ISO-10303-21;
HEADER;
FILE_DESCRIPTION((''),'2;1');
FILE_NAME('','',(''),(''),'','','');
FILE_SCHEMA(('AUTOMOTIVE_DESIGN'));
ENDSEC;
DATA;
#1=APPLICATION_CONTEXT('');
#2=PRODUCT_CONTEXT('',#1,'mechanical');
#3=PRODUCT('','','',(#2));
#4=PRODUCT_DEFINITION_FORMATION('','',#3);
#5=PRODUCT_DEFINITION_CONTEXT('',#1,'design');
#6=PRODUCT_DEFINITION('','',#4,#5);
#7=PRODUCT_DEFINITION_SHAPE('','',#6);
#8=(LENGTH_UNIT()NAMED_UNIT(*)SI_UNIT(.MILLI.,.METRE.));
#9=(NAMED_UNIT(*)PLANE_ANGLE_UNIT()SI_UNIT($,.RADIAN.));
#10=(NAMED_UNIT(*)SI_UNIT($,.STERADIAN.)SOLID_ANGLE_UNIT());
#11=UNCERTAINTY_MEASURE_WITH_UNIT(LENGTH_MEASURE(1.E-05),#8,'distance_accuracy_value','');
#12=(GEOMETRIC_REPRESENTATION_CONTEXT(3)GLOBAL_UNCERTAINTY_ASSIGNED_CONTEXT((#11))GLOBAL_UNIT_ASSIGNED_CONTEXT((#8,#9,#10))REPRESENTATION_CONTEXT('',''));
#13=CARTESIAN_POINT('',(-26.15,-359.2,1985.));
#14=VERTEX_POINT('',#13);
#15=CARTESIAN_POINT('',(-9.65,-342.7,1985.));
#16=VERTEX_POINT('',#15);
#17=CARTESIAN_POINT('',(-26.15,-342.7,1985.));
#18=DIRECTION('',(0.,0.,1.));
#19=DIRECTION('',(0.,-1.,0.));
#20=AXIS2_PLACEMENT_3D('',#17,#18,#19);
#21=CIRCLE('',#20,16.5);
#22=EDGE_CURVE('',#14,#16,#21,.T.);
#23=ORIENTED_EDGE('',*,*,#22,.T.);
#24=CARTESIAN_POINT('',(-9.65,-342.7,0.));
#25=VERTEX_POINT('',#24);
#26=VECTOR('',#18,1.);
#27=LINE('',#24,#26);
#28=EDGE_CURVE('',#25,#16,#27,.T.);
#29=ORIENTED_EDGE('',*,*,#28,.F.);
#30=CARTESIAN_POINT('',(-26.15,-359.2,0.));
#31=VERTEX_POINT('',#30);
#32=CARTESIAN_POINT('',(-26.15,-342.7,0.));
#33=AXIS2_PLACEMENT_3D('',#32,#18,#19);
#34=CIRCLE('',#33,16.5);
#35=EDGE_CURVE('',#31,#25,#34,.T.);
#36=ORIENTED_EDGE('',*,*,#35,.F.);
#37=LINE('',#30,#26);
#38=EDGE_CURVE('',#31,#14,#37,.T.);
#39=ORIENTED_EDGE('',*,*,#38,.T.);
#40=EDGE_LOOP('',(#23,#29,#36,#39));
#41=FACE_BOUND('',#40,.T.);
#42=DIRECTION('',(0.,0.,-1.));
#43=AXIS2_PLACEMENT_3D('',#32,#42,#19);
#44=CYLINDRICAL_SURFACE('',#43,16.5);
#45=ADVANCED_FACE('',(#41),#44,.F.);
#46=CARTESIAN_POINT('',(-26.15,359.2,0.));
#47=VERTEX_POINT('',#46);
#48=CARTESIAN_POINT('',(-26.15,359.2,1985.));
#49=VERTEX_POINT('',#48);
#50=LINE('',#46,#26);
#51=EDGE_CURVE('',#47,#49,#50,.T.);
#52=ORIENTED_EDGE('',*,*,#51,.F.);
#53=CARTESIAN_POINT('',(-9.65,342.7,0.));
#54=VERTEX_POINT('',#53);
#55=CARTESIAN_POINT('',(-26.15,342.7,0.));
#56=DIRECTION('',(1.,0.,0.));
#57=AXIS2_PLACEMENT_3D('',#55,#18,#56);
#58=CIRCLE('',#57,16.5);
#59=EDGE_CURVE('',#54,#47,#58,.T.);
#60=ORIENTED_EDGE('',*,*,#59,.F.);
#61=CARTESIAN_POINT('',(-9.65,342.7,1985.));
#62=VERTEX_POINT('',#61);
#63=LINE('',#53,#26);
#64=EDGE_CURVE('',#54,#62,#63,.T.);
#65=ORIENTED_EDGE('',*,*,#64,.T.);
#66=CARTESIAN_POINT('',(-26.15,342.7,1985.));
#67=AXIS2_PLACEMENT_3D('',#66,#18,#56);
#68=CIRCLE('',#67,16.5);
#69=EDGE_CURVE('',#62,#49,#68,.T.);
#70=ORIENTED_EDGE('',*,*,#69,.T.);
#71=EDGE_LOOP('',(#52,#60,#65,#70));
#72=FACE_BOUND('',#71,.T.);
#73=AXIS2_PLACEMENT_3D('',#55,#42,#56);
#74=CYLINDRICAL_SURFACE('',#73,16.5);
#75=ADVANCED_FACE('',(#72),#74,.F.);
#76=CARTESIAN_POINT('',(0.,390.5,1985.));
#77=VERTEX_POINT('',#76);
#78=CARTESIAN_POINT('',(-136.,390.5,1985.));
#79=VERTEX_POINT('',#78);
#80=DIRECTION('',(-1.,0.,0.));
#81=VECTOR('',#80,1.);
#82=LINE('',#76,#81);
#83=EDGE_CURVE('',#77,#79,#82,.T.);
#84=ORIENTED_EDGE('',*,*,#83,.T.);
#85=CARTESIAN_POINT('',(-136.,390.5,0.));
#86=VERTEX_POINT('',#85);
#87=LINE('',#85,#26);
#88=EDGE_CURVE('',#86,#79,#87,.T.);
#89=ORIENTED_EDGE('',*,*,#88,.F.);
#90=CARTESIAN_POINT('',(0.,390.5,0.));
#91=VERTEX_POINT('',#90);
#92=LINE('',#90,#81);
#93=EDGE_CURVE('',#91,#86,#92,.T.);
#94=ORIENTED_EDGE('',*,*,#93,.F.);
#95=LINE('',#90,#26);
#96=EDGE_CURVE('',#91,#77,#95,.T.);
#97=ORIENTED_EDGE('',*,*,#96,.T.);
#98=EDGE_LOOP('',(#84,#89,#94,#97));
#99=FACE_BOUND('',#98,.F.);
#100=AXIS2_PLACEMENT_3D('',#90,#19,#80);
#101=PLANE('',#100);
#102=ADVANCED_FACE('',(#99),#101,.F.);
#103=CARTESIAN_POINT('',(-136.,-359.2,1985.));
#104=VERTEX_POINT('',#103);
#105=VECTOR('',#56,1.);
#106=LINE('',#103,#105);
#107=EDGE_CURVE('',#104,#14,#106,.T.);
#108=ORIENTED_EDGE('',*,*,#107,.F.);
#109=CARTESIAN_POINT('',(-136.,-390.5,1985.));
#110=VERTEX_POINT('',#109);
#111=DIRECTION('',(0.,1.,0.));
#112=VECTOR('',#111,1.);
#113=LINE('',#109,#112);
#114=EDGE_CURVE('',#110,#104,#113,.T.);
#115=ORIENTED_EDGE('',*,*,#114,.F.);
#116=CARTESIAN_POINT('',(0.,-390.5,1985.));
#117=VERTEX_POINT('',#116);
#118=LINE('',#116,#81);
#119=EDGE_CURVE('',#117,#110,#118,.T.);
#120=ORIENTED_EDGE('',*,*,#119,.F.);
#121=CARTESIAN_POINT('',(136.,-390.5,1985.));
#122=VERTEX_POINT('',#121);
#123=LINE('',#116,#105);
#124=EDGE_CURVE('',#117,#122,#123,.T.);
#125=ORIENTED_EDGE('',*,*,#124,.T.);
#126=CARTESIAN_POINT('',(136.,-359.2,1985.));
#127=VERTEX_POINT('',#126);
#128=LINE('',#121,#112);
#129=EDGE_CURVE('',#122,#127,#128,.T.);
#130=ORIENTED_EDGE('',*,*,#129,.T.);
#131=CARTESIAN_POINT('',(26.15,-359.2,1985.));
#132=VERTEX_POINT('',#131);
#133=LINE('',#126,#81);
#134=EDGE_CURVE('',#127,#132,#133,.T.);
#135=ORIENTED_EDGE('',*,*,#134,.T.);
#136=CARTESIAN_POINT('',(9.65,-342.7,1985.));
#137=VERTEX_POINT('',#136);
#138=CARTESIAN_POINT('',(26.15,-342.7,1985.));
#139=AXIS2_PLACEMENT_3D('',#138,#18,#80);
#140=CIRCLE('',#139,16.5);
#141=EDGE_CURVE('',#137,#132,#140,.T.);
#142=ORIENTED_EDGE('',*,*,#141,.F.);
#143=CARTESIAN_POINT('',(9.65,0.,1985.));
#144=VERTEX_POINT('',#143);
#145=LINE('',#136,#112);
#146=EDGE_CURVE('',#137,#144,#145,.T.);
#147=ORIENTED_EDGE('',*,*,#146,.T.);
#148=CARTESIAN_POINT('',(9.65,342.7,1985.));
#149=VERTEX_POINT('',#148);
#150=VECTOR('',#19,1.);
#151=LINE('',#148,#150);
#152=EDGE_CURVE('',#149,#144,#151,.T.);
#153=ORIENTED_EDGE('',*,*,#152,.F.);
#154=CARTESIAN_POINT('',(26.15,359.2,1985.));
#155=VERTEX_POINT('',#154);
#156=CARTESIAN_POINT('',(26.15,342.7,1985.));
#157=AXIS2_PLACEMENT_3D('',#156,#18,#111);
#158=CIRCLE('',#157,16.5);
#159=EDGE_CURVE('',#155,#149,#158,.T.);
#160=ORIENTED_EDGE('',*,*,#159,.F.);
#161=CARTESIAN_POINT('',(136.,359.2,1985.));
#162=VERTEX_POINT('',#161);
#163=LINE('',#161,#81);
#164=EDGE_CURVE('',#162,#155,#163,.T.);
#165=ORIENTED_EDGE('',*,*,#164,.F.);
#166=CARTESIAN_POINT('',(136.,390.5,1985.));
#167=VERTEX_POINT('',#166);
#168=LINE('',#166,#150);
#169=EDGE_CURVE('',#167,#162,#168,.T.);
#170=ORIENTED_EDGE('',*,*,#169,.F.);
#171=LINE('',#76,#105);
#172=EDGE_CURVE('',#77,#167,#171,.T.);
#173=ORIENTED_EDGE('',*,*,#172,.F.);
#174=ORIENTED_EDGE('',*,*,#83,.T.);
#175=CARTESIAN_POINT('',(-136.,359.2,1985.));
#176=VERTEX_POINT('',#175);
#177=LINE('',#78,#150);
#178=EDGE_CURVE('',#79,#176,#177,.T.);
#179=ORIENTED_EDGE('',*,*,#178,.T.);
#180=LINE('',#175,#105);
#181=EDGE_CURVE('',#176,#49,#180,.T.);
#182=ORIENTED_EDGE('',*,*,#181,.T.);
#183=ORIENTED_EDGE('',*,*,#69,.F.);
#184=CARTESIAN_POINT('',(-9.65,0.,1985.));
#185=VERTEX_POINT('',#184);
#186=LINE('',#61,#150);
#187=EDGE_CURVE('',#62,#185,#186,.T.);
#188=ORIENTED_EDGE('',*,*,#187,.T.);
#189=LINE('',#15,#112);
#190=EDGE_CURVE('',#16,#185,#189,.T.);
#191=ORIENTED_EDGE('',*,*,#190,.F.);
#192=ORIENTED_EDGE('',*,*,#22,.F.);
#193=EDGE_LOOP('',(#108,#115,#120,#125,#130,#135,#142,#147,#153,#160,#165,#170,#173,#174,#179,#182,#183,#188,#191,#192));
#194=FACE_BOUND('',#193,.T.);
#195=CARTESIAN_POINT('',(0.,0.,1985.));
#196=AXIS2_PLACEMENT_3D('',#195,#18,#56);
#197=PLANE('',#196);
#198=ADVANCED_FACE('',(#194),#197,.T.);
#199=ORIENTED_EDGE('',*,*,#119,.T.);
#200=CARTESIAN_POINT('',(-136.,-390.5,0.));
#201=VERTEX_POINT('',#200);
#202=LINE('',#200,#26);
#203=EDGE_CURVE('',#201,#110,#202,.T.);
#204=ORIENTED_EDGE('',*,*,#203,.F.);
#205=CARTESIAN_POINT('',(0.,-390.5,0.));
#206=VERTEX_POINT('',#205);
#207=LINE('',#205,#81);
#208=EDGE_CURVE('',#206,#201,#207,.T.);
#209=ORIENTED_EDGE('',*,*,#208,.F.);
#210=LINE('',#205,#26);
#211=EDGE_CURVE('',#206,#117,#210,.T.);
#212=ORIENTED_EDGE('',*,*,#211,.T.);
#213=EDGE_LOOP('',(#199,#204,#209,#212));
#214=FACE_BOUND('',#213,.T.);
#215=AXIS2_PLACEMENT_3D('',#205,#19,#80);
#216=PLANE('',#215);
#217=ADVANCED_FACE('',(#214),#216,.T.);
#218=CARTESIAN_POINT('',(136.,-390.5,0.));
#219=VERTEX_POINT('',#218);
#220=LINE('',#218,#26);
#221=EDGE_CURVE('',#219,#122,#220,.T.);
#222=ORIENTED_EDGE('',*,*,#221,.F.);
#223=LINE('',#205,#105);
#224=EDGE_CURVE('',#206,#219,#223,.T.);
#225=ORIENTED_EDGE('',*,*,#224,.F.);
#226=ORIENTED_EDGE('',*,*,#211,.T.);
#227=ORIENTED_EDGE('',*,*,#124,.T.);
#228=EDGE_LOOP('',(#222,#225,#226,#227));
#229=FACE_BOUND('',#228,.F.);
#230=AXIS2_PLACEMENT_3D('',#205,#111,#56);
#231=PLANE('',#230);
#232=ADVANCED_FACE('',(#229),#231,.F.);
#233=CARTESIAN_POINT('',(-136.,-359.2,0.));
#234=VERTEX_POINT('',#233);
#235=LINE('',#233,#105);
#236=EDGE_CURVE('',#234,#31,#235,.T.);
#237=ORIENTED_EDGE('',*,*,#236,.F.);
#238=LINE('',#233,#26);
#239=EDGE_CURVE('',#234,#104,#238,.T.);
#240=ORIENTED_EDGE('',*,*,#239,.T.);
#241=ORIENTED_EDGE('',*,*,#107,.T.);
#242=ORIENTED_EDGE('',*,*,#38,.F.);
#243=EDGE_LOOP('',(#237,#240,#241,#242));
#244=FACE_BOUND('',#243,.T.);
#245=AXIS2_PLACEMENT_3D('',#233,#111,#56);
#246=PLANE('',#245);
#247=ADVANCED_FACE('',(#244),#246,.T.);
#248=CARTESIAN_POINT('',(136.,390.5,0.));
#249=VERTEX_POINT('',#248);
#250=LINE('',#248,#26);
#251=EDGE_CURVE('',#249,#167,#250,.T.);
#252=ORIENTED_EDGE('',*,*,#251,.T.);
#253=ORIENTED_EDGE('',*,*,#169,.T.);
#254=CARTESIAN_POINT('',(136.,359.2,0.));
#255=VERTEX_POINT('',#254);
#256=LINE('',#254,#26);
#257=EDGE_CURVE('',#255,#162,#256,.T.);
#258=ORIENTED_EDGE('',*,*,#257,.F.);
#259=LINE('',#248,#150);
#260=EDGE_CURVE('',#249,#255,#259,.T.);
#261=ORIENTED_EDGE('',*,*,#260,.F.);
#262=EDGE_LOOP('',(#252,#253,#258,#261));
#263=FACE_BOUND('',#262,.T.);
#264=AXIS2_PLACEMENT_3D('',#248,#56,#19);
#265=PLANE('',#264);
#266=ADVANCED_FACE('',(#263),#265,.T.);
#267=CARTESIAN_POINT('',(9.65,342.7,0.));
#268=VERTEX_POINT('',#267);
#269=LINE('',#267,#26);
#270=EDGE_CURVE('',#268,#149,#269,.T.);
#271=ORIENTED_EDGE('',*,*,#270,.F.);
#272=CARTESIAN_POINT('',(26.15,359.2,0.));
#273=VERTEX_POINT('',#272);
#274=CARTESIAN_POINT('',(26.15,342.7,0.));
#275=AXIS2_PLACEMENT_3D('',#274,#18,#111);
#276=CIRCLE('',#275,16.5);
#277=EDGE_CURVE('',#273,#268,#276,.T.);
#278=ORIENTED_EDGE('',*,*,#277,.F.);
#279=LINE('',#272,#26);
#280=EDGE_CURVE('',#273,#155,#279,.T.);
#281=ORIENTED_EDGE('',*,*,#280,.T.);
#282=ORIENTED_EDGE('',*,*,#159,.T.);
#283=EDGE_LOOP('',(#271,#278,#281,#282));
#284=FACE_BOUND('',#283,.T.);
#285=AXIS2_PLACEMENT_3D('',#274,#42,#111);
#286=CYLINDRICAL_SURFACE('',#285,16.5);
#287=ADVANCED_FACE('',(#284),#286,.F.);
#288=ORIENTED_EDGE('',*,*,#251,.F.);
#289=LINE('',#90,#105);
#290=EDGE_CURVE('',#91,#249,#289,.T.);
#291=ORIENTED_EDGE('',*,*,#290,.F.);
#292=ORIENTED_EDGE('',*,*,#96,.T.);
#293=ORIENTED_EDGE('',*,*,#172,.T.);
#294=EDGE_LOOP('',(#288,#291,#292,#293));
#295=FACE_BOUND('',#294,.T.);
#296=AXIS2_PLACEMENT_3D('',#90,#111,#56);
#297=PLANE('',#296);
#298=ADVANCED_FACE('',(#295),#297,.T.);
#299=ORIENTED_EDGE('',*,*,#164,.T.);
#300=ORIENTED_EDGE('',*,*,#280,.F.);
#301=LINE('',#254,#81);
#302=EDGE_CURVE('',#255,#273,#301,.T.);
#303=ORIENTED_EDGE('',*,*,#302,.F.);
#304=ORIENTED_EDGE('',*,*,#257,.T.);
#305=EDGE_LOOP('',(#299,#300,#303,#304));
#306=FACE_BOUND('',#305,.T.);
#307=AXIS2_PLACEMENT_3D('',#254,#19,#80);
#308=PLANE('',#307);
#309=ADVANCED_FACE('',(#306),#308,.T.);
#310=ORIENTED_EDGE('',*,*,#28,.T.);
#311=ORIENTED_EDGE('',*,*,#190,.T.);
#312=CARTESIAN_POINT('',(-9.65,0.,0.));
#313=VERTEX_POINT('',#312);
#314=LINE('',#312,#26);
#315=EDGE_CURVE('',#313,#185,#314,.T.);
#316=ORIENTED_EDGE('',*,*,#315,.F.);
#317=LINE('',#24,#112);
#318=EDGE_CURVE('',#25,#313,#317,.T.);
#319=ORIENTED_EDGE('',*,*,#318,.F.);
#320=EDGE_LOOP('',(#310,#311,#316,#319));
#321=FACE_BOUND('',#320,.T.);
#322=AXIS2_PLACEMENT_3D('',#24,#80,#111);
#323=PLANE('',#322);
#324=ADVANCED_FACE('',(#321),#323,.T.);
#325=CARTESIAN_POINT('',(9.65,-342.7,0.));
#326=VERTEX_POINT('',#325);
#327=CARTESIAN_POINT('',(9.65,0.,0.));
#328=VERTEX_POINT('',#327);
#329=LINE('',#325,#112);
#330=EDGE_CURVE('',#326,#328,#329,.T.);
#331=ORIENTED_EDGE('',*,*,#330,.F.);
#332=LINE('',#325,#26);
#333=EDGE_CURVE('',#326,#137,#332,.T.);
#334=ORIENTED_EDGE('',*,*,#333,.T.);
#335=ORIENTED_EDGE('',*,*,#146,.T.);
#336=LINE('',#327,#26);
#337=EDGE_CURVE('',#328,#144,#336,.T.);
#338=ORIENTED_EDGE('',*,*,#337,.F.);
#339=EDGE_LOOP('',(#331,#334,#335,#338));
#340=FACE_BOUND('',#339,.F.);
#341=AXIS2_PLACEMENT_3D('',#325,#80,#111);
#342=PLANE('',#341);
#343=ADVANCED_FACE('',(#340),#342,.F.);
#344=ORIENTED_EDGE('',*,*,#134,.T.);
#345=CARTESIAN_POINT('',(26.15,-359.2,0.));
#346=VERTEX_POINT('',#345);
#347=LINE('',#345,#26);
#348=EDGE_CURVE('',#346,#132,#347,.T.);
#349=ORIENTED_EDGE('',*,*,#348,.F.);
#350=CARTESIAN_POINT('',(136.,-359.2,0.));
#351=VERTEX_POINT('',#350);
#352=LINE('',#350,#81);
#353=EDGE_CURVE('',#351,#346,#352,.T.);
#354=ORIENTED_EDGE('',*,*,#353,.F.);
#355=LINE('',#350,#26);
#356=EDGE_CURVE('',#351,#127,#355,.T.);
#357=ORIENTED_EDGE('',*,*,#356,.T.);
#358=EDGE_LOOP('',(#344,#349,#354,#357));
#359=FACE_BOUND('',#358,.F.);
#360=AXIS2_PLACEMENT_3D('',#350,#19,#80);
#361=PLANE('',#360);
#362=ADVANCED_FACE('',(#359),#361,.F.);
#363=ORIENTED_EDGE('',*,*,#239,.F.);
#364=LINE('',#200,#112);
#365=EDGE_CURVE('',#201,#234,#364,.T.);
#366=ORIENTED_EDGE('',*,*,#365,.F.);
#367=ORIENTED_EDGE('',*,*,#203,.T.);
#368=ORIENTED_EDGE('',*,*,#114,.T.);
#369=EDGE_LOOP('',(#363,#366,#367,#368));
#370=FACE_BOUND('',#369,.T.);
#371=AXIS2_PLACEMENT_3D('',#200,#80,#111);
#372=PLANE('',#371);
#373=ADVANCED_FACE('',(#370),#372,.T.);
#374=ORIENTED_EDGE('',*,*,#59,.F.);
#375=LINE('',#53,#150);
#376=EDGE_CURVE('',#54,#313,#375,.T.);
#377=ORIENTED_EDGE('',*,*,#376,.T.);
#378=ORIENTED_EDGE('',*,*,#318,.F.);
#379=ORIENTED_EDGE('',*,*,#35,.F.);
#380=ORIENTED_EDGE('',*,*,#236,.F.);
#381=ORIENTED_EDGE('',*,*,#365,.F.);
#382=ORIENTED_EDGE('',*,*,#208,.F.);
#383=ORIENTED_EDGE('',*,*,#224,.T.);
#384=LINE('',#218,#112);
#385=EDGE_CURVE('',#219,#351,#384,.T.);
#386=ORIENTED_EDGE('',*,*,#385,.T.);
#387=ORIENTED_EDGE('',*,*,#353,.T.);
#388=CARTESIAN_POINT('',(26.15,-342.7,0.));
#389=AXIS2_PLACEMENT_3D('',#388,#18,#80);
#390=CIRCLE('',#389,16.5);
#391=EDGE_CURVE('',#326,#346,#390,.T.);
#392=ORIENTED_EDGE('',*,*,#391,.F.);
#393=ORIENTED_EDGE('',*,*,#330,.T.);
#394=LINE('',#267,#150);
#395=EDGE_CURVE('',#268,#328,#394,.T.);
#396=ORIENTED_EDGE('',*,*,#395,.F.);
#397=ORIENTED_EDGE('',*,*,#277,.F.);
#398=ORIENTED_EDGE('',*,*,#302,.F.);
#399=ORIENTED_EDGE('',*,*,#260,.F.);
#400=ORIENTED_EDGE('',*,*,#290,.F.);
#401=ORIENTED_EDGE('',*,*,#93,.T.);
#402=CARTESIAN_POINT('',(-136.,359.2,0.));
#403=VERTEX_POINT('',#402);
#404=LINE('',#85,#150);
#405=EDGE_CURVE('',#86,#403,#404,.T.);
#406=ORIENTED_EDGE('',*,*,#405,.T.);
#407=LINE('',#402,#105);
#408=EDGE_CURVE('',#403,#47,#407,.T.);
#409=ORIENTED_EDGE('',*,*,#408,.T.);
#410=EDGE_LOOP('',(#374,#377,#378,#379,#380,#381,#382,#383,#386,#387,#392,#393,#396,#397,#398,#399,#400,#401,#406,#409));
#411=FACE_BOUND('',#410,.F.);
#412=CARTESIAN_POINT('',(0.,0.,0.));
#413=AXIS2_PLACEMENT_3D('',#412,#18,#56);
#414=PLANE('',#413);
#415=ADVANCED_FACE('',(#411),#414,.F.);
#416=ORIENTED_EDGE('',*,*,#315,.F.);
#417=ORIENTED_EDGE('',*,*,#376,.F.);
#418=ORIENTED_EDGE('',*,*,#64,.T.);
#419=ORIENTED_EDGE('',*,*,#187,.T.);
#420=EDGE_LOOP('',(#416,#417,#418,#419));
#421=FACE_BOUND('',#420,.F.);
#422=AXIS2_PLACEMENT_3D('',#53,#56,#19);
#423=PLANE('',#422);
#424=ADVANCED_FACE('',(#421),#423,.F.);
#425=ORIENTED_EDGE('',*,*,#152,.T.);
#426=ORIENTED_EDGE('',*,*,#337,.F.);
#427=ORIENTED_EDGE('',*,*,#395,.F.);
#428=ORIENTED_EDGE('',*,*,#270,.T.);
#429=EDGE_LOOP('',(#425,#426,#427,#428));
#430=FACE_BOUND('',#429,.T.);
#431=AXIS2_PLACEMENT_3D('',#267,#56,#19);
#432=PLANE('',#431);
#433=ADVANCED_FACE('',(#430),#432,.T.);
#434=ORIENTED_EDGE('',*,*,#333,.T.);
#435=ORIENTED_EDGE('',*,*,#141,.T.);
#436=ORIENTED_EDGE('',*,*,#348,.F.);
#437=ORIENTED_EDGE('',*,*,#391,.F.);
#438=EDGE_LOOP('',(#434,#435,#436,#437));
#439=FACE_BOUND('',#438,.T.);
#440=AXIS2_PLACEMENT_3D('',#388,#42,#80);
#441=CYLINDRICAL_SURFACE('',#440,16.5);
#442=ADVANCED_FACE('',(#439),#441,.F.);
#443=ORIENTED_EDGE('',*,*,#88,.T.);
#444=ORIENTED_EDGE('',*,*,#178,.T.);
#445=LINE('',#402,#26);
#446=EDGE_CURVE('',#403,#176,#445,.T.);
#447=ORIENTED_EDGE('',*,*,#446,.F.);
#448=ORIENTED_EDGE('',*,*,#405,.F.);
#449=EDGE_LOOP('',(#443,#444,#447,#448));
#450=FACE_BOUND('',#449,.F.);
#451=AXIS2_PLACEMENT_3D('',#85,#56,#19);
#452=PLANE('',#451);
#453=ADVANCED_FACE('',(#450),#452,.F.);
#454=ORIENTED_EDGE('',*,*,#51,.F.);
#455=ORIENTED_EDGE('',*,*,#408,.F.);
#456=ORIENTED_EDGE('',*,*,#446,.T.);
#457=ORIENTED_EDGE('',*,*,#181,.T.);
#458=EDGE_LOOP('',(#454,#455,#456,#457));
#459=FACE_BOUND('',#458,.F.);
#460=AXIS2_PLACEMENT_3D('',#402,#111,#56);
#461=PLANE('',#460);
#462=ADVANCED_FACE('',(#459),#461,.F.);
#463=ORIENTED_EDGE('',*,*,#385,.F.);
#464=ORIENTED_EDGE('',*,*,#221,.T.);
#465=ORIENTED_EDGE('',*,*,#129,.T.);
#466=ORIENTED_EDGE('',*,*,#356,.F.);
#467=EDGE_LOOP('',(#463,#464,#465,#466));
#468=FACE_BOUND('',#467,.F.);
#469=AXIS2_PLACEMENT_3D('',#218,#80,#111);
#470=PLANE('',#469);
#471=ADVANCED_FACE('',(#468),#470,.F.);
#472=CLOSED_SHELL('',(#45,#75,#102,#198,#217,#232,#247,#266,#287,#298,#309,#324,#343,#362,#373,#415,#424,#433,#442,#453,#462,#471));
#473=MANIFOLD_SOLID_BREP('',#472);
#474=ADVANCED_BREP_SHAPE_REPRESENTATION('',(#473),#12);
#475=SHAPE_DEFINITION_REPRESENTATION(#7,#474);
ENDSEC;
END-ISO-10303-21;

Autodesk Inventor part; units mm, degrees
ref_plane "YZ Plane" through (0, 0, 0) normal (1, 0, 0) x (0, 1, 0)
ref_plane "Start plane" through (0, 0, 0) normal (0, 0, 1) x (1, 0, 0)
ref_plane "End plane" through (0, 0, 1985) normal (0, 0, 1) x (1, 0, 0)
sketch "Sketch" plane through (0, 0, 0) normal (0, 0, 1) x (1, 0, 0)
  line L0 (-136, -390.5) -> (-136, -359.2)
  line L1 (-136, -359.2) -> (-26.15, -359.2)
  line L2 (-9.65, -342.7) -> (-9.65, 0)
  line L3 (-9.65, 0) -> (0, 0) construction
  line L4 (0, 0) -> (0, -390.5) construction
  line L5 (0, -390.5) -> (-136, -390.5)
  line L6 (-60, 0) -> (80, 0) construction
  line L7 (0, -60) -> (0, 80) construction
  line L8 (136, -390.5) -> (136, -359.2)
  line L9 (136, -359.2) -> (26.15, -359.2)
  line L10 (9.65, -342.7) -> (9.65, 0)
  line L11 (9.65, 0) -> (0, 0) construction
  line L12 (0, -390.5) -> (136, -390.5)
  line L13 (-136, 390.5) -> (-136, 359.2)
  line L14 (-136, 359.2) -> (-26.15, 359.2)
  line L15 (-9.65, 342.7) -> (-9.65, 0)
  line L16 (0, 390.5) -> (-136, 390.5)
  line L17 (136, 390.5) -> (136, 359.2)
  line L18 (136, 359.2) -> (26.15, 359.2)
  line L19 (0, 390.5) -> (136, 390.5)
  line L20 (9.65, 342.7) -> (9.65, 0)
  arc A0 (-9.65, 342.7) -> (-26.15, 359.2) centre (-26.15, 342.7) ccw
  arc A1 (26.15, 359.2) -> (9.65, 342.7) centre (26.15, 342.7) ccw
  arc A2 (9.65, -342.7) -> (26.15, -359.2) centre (26.15, -342.7) ccw
  arc A3 (-26.15, -359.2) -> (-9.65, -342.7) centre (-26.15, -342.7) ccw
  line L21 (0, 108) -> (0, -88) construction
  line L22 (-88, 0) -> (108, 0) construction
  point P0 (-9.65, -359.2)
  point P1 (9.65, -359.2)
  point P2 (-9.65, 359.2)
  point P3 (9.65, 359.2)
  dimension "d1" = 390.5
  dimension "d2" = 31.3
  dimension "d3" = 136
  dimension "d4" = 9.65
  dimension "d10" = 16.5
extrude "Body" add sketch "Sketch" along normal up to surface (1985 mm away) from surface at 0
sketch "Sketch4" plane through (0, 0, 0) normal (0, 0, 1) x (1, 0, 0)
  line L0 (0, 0) -> (10, 0)
ref_plane "Work Plane3" through (0, 0, 0) normal (0, -1, 0) x (1, 0, 0)
sketch "Sketch5" plane through (0, 0, 0) normal (0, -1, 0) x (1, 0, 0)
  line L0 (-2, 0) -> (12, 0) projected
  line L1 (-2, 1985) -> (12, 1985) projected
  dimension "d14" = 1985
equation "\"d1\" = 0.5 * G_H"
equation "\"d2\" = G_T1"
equation "\"d3\" = 0.5 * G_W"
equation "\"d4\" = 0.5 * G_T"
equation "\"d10\" = G_IR"
equation "\"d5\" = G_L"
equation "\"G_W\" = 272"
equation "\"G_H\" = 781"
equation "\"G_T\" = 19.3"
equation "\"G_T1\" = 31.3"
equation "\"G_IR\" = 16.5"
equation "\"G_L\" = d14"
equation "\"G_OFFSET_START\" = 0"
equation "\"G_OFFSET_END\" = 0"
equation "\"d12\" = G_OFFSET_END + B_L"
equation "\"B_L\" = 1985"
properties part number "AS 3679-1990 - 760 UB - 244 - 1985" material "Steel, Mild"
